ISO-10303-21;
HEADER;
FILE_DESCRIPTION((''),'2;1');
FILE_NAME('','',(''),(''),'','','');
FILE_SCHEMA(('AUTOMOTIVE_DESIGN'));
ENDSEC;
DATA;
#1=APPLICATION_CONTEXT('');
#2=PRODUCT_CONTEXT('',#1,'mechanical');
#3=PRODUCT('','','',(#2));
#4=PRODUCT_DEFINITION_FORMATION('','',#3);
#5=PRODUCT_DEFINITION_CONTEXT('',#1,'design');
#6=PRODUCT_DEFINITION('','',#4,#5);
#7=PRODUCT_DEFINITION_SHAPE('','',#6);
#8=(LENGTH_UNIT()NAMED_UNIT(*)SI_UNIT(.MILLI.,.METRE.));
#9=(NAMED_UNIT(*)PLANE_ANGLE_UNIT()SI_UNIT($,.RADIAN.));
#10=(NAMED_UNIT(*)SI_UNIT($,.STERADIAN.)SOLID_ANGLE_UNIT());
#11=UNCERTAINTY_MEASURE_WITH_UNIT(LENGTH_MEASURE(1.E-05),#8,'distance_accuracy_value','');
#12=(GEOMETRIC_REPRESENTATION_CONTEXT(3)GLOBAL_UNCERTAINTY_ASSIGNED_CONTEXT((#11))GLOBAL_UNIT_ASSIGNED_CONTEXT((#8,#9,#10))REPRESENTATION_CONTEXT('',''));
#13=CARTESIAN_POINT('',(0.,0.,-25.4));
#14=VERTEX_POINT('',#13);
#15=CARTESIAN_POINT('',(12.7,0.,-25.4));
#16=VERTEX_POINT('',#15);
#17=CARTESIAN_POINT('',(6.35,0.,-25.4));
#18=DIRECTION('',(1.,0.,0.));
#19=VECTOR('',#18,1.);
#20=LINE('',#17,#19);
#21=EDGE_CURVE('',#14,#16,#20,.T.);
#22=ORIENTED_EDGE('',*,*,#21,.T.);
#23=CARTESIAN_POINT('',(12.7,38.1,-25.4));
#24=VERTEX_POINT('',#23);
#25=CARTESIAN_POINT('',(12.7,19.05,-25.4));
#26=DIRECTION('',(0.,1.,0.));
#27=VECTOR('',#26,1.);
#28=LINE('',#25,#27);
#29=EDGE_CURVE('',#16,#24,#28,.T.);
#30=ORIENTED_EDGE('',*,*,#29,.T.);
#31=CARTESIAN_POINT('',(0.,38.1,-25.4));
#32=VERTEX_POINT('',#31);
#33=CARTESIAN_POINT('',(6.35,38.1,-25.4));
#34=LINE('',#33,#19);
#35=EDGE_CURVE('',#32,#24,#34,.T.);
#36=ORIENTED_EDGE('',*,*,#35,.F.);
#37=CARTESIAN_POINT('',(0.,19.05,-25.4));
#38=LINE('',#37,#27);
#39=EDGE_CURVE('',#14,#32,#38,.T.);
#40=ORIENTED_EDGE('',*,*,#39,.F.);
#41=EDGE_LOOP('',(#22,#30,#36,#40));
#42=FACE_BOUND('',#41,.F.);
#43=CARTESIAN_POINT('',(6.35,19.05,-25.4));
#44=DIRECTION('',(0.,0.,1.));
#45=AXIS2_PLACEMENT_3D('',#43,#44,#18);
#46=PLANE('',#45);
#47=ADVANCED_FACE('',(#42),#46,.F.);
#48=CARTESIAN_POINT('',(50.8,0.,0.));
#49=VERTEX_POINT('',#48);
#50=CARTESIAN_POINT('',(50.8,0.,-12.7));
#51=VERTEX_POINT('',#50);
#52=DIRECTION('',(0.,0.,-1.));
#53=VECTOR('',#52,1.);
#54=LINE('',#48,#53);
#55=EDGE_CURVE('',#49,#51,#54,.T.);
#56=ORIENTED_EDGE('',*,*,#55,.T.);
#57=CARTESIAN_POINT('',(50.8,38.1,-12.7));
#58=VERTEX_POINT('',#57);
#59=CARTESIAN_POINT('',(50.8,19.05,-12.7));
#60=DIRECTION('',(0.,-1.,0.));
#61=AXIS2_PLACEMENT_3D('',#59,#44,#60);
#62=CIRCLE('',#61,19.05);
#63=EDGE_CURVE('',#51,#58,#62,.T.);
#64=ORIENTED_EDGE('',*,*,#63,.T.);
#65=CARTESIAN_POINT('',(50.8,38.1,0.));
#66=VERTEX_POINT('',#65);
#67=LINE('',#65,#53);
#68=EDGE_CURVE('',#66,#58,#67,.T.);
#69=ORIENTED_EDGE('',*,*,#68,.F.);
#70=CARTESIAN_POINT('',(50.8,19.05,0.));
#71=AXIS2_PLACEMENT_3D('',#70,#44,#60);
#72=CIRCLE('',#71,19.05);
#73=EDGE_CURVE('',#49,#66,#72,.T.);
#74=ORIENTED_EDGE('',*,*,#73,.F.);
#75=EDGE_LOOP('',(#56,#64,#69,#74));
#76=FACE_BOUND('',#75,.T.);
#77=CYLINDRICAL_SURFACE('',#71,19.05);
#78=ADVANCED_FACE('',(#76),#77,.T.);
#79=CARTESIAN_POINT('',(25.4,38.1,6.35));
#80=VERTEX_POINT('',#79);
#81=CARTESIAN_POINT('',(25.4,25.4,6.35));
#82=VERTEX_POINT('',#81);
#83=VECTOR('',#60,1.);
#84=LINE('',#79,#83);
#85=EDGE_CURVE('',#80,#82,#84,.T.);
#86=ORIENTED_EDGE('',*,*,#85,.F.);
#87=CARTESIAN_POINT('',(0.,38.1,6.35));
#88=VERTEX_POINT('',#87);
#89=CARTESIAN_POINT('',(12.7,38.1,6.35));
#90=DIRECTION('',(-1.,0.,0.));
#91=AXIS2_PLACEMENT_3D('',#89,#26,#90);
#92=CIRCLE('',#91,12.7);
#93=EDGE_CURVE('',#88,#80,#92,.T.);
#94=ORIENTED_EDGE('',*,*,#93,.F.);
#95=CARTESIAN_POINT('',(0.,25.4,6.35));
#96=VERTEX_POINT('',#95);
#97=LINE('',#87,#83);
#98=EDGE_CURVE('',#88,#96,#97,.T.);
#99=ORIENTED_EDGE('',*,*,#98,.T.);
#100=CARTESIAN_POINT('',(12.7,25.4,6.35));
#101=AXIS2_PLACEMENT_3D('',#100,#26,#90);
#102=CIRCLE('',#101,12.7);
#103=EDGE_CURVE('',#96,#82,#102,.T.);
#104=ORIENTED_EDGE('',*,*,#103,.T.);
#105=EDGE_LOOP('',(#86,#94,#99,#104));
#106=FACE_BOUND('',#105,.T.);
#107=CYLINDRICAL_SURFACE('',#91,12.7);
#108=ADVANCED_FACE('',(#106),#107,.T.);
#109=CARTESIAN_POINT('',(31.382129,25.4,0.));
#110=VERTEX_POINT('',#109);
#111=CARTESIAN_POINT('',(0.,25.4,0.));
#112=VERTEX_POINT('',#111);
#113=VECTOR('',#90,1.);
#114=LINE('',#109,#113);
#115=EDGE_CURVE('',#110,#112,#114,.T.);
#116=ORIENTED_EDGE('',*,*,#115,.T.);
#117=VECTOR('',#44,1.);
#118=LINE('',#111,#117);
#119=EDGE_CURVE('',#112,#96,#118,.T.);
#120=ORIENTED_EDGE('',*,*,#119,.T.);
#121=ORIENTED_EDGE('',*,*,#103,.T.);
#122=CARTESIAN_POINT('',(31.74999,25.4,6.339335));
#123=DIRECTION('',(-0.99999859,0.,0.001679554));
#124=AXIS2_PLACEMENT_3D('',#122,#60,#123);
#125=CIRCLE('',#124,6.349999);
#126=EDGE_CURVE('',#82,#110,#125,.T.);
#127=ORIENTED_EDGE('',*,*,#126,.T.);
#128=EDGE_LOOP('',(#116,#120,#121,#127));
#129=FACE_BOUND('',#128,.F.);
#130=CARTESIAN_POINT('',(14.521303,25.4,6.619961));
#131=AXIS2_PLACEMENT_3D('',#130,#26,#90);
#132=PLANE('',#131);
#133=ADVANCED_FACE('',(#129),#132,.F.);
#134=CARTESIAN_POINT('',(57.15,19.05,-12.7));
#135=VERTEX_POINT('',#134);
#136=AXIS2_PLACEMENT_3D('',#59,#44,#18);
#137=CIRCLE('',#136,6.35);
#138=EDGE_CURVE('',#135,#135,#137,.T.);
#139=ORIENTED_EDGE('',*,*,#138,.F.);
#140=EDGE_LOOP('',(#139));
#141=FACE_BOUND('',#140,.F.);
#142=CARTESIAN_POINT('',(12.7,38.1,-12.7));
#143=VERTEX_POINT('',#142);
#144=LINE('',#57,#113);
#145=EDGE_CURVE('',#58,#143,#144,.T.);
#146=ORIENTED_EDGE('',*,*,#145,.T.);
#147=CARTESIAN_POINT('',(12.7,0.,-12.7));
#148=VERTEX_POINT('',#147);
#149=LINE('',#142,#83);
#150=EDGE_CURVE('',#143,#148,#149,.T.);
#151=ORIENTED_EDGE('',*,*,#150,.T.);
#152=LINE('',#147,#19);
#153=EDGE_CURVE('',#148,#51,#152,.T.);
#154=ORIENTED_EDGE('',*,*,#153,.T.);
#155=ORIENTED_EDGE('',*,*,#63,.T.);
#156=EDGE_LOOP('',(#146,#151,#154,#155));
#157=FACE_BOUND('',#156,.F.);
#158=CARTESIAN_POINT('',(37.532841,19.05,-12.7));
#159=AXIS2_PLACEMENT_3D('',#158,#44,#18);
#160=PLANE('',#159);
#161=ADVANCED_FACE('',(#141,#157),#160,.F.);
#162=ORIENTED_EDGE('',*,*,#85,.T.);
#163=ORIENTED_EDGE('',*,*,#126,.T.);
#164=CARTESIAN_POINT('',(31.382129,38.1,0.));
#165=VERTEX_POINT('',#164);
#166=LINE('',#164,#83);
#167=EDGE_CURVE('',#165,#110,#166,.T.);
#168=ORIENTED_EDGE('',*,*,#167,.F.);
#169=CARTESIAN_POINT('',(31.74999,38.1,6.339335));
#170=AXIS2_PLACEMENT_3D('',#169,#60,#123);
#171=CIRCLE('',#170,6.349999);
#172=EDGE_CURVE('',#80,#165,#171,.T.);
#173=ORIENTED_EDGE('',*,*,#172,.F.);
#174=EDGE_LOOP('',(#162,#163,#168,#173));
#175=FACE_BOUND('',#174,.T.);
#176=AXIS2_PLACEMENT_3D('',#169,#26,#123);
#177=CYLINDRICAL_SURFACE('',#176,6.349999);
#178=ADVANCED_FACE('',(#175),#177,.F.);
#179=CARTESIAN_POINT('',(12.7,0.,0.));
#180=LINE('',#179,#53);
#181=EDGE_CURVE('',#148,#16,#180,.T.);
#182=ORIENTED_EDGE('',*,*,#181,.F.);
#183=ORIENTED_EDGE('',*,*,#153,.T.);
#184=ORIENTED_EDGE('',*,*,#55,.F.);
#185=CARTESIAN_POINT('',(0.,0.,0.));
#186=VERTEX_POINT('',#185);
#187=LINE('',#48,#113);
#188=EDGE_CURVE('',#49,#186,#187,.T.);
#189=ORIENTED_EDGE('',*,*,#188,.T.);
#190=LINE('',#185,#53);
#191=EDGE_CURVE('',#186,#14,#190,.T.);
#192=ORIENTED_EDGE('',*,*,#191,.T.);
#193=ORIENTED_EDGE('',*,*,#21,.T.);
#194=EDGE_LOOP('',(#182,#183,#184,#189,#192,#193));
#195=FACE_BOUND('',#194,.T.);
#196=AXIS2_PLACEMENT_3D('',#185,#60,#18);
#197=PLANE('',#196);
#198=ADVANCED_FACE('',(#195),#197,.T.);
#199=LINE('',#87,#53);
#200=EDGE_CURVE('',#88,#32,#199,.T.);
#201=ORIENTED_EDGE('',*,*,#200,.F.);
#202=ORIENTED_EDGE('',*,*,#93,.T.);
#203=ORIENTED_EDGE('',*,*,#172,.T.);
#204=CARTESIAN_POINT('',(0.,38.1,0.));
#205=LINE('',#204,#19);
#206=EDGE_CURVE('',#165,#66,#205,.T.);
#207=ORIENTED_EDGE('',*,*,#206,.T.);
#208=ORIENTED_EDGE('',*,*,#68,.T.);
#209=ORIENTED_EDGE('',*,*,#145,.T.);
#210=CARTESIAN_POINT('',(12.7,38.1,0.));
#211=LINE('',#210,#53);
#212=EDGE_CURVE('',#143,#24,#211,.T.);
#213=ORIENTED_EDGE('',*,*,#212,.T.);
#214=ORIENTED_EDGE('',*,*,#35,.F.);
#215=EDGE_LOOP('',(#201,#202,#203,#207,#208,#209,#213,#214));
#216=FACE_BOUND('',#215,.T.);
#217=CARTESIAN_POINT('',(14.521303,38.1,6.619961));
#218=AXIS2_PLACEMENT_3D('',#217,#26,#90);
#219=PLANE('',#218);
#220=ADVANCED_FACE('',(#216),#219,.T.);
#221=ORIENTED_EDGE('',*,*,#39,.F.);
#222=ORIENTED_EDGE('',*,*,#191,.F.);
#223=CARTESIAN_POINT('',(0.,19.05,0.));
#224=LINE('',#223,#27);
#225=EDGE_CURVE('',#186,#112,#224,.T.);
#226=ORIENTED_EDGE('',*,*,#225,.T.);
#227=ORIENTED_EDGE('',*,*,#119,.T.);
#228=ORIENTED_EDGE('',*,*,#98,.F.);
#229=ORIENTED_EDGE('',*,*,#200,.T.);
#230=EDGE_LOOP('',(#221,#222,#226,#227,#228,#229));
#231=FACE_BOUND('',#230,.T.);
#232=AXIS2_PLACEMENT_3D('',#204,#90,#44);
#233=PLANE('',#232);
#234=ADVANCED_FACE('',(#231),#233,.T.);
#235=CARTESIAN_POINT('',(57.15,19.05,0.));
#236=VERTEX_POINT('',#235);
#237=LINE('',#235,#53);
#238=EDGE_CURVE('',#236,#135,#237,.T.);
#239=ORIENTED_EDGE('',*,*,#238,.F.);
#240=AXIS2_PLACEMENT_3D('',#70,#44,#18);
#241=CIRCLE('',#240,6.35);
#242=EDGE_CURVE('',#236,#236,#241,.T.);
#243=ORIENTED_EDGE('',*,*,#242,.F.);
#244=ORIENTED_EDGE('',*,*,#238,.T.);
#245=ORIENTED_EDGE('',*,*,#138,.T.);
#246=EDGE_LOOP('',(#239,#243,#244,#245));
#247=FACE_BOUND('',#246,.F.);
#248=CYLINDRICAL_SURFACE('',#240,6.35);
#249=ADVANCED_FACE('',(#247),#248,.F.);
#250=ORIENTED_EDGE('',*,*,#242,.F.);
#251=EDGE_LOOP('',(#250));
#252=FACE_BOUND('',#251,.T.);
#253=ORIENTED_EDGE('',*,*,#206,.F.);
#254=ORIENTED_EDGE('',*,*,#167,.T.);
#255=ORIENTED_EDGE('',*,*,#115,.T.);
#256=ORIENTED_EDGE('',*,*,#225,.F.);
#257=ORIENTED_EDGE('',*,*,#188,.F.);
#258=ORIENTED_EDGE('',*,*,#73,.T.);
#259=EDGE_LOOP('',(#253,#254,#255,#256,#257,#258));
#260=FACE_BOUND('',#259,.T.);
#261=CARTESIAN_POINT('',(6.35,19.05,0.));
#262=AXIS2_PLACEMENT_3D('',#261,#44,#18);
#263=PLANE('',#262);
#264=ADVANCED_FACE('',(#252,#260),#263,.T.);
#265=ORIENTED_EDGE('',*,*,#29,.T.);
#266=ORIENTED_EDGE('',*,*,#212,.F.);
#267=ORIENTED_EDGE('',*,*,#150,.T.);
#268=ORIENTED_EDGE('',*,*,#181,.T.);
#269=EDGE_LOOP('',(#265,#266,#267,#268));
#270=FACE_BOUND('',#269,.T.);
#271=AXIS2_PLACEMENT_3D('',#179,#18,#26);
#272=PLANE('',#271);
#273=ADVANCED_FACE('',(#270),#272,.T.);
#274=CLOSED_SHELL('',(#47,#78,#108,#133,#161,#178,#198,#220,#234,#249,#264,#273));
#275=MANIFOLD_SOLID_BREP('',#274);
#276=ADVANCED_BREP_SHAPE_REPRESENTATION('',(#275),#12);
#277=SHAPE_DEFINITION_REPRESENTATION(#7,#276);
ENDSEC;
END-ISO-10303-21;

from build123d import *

# Parameters (mm, degrees)
F0_R     = 6.35
F1_DEPTH = 12.7
F0_W     = 12.7
F0_H     = 38.1
F2_DEPTH = 25.4
F4_DEPTH = 12.7


with BuildPart() as f1:
    # F0 (on Top) → F1 (new body)
    with BuildSketch(Plane.XY):
        with BuildLine():
            Line((12.7, 38.1), (12.7, 0))
            Line((12.7, 0), (50.8, 0))
            ThreePointArc((50.8, 0), (69.85, 19.05), (50.8, 38.1))
            Line((50.8, 38.1), (12.7, 38.1))
        make_face()
        with Locations((50.8, 19.05)):
            Circle(F0_R, mode=Mode.SUBTRACT)
    extrude(amount=-F1_DEPTH)

    # F0 (on Top) → F2 (join)
    with BuildSketch(Plane.XY):
        with Locations((6.35, 19.05)):
            Rectangle(F0_W, F0_H)
    extrude(amount=-F2_DEPTH)

    # F3 (on face) → F4 (join)
    with BuildSketch(Plane(origin=(0, 38.1, 0), x_dir=(-1, 0, 0), z_dir=(0, 1, 0))):
        with BuildLine():
            Line((-25.4, 0), (0, 0))
            Line((0, 0), (0, 6.35))
            ThreePointArc((0, 6.35), (-12.7, 19.05), (-25.4, 6.35))
            ThreePointArc((-25.4, 6.35), (-27.127977, 1.985086), (-31.382129, 0))
            Line((-31.382129, 0), (-25.4, 0))
        make_face()
    extrude(amount=-F4_DEPTH)


solid = f1.part
